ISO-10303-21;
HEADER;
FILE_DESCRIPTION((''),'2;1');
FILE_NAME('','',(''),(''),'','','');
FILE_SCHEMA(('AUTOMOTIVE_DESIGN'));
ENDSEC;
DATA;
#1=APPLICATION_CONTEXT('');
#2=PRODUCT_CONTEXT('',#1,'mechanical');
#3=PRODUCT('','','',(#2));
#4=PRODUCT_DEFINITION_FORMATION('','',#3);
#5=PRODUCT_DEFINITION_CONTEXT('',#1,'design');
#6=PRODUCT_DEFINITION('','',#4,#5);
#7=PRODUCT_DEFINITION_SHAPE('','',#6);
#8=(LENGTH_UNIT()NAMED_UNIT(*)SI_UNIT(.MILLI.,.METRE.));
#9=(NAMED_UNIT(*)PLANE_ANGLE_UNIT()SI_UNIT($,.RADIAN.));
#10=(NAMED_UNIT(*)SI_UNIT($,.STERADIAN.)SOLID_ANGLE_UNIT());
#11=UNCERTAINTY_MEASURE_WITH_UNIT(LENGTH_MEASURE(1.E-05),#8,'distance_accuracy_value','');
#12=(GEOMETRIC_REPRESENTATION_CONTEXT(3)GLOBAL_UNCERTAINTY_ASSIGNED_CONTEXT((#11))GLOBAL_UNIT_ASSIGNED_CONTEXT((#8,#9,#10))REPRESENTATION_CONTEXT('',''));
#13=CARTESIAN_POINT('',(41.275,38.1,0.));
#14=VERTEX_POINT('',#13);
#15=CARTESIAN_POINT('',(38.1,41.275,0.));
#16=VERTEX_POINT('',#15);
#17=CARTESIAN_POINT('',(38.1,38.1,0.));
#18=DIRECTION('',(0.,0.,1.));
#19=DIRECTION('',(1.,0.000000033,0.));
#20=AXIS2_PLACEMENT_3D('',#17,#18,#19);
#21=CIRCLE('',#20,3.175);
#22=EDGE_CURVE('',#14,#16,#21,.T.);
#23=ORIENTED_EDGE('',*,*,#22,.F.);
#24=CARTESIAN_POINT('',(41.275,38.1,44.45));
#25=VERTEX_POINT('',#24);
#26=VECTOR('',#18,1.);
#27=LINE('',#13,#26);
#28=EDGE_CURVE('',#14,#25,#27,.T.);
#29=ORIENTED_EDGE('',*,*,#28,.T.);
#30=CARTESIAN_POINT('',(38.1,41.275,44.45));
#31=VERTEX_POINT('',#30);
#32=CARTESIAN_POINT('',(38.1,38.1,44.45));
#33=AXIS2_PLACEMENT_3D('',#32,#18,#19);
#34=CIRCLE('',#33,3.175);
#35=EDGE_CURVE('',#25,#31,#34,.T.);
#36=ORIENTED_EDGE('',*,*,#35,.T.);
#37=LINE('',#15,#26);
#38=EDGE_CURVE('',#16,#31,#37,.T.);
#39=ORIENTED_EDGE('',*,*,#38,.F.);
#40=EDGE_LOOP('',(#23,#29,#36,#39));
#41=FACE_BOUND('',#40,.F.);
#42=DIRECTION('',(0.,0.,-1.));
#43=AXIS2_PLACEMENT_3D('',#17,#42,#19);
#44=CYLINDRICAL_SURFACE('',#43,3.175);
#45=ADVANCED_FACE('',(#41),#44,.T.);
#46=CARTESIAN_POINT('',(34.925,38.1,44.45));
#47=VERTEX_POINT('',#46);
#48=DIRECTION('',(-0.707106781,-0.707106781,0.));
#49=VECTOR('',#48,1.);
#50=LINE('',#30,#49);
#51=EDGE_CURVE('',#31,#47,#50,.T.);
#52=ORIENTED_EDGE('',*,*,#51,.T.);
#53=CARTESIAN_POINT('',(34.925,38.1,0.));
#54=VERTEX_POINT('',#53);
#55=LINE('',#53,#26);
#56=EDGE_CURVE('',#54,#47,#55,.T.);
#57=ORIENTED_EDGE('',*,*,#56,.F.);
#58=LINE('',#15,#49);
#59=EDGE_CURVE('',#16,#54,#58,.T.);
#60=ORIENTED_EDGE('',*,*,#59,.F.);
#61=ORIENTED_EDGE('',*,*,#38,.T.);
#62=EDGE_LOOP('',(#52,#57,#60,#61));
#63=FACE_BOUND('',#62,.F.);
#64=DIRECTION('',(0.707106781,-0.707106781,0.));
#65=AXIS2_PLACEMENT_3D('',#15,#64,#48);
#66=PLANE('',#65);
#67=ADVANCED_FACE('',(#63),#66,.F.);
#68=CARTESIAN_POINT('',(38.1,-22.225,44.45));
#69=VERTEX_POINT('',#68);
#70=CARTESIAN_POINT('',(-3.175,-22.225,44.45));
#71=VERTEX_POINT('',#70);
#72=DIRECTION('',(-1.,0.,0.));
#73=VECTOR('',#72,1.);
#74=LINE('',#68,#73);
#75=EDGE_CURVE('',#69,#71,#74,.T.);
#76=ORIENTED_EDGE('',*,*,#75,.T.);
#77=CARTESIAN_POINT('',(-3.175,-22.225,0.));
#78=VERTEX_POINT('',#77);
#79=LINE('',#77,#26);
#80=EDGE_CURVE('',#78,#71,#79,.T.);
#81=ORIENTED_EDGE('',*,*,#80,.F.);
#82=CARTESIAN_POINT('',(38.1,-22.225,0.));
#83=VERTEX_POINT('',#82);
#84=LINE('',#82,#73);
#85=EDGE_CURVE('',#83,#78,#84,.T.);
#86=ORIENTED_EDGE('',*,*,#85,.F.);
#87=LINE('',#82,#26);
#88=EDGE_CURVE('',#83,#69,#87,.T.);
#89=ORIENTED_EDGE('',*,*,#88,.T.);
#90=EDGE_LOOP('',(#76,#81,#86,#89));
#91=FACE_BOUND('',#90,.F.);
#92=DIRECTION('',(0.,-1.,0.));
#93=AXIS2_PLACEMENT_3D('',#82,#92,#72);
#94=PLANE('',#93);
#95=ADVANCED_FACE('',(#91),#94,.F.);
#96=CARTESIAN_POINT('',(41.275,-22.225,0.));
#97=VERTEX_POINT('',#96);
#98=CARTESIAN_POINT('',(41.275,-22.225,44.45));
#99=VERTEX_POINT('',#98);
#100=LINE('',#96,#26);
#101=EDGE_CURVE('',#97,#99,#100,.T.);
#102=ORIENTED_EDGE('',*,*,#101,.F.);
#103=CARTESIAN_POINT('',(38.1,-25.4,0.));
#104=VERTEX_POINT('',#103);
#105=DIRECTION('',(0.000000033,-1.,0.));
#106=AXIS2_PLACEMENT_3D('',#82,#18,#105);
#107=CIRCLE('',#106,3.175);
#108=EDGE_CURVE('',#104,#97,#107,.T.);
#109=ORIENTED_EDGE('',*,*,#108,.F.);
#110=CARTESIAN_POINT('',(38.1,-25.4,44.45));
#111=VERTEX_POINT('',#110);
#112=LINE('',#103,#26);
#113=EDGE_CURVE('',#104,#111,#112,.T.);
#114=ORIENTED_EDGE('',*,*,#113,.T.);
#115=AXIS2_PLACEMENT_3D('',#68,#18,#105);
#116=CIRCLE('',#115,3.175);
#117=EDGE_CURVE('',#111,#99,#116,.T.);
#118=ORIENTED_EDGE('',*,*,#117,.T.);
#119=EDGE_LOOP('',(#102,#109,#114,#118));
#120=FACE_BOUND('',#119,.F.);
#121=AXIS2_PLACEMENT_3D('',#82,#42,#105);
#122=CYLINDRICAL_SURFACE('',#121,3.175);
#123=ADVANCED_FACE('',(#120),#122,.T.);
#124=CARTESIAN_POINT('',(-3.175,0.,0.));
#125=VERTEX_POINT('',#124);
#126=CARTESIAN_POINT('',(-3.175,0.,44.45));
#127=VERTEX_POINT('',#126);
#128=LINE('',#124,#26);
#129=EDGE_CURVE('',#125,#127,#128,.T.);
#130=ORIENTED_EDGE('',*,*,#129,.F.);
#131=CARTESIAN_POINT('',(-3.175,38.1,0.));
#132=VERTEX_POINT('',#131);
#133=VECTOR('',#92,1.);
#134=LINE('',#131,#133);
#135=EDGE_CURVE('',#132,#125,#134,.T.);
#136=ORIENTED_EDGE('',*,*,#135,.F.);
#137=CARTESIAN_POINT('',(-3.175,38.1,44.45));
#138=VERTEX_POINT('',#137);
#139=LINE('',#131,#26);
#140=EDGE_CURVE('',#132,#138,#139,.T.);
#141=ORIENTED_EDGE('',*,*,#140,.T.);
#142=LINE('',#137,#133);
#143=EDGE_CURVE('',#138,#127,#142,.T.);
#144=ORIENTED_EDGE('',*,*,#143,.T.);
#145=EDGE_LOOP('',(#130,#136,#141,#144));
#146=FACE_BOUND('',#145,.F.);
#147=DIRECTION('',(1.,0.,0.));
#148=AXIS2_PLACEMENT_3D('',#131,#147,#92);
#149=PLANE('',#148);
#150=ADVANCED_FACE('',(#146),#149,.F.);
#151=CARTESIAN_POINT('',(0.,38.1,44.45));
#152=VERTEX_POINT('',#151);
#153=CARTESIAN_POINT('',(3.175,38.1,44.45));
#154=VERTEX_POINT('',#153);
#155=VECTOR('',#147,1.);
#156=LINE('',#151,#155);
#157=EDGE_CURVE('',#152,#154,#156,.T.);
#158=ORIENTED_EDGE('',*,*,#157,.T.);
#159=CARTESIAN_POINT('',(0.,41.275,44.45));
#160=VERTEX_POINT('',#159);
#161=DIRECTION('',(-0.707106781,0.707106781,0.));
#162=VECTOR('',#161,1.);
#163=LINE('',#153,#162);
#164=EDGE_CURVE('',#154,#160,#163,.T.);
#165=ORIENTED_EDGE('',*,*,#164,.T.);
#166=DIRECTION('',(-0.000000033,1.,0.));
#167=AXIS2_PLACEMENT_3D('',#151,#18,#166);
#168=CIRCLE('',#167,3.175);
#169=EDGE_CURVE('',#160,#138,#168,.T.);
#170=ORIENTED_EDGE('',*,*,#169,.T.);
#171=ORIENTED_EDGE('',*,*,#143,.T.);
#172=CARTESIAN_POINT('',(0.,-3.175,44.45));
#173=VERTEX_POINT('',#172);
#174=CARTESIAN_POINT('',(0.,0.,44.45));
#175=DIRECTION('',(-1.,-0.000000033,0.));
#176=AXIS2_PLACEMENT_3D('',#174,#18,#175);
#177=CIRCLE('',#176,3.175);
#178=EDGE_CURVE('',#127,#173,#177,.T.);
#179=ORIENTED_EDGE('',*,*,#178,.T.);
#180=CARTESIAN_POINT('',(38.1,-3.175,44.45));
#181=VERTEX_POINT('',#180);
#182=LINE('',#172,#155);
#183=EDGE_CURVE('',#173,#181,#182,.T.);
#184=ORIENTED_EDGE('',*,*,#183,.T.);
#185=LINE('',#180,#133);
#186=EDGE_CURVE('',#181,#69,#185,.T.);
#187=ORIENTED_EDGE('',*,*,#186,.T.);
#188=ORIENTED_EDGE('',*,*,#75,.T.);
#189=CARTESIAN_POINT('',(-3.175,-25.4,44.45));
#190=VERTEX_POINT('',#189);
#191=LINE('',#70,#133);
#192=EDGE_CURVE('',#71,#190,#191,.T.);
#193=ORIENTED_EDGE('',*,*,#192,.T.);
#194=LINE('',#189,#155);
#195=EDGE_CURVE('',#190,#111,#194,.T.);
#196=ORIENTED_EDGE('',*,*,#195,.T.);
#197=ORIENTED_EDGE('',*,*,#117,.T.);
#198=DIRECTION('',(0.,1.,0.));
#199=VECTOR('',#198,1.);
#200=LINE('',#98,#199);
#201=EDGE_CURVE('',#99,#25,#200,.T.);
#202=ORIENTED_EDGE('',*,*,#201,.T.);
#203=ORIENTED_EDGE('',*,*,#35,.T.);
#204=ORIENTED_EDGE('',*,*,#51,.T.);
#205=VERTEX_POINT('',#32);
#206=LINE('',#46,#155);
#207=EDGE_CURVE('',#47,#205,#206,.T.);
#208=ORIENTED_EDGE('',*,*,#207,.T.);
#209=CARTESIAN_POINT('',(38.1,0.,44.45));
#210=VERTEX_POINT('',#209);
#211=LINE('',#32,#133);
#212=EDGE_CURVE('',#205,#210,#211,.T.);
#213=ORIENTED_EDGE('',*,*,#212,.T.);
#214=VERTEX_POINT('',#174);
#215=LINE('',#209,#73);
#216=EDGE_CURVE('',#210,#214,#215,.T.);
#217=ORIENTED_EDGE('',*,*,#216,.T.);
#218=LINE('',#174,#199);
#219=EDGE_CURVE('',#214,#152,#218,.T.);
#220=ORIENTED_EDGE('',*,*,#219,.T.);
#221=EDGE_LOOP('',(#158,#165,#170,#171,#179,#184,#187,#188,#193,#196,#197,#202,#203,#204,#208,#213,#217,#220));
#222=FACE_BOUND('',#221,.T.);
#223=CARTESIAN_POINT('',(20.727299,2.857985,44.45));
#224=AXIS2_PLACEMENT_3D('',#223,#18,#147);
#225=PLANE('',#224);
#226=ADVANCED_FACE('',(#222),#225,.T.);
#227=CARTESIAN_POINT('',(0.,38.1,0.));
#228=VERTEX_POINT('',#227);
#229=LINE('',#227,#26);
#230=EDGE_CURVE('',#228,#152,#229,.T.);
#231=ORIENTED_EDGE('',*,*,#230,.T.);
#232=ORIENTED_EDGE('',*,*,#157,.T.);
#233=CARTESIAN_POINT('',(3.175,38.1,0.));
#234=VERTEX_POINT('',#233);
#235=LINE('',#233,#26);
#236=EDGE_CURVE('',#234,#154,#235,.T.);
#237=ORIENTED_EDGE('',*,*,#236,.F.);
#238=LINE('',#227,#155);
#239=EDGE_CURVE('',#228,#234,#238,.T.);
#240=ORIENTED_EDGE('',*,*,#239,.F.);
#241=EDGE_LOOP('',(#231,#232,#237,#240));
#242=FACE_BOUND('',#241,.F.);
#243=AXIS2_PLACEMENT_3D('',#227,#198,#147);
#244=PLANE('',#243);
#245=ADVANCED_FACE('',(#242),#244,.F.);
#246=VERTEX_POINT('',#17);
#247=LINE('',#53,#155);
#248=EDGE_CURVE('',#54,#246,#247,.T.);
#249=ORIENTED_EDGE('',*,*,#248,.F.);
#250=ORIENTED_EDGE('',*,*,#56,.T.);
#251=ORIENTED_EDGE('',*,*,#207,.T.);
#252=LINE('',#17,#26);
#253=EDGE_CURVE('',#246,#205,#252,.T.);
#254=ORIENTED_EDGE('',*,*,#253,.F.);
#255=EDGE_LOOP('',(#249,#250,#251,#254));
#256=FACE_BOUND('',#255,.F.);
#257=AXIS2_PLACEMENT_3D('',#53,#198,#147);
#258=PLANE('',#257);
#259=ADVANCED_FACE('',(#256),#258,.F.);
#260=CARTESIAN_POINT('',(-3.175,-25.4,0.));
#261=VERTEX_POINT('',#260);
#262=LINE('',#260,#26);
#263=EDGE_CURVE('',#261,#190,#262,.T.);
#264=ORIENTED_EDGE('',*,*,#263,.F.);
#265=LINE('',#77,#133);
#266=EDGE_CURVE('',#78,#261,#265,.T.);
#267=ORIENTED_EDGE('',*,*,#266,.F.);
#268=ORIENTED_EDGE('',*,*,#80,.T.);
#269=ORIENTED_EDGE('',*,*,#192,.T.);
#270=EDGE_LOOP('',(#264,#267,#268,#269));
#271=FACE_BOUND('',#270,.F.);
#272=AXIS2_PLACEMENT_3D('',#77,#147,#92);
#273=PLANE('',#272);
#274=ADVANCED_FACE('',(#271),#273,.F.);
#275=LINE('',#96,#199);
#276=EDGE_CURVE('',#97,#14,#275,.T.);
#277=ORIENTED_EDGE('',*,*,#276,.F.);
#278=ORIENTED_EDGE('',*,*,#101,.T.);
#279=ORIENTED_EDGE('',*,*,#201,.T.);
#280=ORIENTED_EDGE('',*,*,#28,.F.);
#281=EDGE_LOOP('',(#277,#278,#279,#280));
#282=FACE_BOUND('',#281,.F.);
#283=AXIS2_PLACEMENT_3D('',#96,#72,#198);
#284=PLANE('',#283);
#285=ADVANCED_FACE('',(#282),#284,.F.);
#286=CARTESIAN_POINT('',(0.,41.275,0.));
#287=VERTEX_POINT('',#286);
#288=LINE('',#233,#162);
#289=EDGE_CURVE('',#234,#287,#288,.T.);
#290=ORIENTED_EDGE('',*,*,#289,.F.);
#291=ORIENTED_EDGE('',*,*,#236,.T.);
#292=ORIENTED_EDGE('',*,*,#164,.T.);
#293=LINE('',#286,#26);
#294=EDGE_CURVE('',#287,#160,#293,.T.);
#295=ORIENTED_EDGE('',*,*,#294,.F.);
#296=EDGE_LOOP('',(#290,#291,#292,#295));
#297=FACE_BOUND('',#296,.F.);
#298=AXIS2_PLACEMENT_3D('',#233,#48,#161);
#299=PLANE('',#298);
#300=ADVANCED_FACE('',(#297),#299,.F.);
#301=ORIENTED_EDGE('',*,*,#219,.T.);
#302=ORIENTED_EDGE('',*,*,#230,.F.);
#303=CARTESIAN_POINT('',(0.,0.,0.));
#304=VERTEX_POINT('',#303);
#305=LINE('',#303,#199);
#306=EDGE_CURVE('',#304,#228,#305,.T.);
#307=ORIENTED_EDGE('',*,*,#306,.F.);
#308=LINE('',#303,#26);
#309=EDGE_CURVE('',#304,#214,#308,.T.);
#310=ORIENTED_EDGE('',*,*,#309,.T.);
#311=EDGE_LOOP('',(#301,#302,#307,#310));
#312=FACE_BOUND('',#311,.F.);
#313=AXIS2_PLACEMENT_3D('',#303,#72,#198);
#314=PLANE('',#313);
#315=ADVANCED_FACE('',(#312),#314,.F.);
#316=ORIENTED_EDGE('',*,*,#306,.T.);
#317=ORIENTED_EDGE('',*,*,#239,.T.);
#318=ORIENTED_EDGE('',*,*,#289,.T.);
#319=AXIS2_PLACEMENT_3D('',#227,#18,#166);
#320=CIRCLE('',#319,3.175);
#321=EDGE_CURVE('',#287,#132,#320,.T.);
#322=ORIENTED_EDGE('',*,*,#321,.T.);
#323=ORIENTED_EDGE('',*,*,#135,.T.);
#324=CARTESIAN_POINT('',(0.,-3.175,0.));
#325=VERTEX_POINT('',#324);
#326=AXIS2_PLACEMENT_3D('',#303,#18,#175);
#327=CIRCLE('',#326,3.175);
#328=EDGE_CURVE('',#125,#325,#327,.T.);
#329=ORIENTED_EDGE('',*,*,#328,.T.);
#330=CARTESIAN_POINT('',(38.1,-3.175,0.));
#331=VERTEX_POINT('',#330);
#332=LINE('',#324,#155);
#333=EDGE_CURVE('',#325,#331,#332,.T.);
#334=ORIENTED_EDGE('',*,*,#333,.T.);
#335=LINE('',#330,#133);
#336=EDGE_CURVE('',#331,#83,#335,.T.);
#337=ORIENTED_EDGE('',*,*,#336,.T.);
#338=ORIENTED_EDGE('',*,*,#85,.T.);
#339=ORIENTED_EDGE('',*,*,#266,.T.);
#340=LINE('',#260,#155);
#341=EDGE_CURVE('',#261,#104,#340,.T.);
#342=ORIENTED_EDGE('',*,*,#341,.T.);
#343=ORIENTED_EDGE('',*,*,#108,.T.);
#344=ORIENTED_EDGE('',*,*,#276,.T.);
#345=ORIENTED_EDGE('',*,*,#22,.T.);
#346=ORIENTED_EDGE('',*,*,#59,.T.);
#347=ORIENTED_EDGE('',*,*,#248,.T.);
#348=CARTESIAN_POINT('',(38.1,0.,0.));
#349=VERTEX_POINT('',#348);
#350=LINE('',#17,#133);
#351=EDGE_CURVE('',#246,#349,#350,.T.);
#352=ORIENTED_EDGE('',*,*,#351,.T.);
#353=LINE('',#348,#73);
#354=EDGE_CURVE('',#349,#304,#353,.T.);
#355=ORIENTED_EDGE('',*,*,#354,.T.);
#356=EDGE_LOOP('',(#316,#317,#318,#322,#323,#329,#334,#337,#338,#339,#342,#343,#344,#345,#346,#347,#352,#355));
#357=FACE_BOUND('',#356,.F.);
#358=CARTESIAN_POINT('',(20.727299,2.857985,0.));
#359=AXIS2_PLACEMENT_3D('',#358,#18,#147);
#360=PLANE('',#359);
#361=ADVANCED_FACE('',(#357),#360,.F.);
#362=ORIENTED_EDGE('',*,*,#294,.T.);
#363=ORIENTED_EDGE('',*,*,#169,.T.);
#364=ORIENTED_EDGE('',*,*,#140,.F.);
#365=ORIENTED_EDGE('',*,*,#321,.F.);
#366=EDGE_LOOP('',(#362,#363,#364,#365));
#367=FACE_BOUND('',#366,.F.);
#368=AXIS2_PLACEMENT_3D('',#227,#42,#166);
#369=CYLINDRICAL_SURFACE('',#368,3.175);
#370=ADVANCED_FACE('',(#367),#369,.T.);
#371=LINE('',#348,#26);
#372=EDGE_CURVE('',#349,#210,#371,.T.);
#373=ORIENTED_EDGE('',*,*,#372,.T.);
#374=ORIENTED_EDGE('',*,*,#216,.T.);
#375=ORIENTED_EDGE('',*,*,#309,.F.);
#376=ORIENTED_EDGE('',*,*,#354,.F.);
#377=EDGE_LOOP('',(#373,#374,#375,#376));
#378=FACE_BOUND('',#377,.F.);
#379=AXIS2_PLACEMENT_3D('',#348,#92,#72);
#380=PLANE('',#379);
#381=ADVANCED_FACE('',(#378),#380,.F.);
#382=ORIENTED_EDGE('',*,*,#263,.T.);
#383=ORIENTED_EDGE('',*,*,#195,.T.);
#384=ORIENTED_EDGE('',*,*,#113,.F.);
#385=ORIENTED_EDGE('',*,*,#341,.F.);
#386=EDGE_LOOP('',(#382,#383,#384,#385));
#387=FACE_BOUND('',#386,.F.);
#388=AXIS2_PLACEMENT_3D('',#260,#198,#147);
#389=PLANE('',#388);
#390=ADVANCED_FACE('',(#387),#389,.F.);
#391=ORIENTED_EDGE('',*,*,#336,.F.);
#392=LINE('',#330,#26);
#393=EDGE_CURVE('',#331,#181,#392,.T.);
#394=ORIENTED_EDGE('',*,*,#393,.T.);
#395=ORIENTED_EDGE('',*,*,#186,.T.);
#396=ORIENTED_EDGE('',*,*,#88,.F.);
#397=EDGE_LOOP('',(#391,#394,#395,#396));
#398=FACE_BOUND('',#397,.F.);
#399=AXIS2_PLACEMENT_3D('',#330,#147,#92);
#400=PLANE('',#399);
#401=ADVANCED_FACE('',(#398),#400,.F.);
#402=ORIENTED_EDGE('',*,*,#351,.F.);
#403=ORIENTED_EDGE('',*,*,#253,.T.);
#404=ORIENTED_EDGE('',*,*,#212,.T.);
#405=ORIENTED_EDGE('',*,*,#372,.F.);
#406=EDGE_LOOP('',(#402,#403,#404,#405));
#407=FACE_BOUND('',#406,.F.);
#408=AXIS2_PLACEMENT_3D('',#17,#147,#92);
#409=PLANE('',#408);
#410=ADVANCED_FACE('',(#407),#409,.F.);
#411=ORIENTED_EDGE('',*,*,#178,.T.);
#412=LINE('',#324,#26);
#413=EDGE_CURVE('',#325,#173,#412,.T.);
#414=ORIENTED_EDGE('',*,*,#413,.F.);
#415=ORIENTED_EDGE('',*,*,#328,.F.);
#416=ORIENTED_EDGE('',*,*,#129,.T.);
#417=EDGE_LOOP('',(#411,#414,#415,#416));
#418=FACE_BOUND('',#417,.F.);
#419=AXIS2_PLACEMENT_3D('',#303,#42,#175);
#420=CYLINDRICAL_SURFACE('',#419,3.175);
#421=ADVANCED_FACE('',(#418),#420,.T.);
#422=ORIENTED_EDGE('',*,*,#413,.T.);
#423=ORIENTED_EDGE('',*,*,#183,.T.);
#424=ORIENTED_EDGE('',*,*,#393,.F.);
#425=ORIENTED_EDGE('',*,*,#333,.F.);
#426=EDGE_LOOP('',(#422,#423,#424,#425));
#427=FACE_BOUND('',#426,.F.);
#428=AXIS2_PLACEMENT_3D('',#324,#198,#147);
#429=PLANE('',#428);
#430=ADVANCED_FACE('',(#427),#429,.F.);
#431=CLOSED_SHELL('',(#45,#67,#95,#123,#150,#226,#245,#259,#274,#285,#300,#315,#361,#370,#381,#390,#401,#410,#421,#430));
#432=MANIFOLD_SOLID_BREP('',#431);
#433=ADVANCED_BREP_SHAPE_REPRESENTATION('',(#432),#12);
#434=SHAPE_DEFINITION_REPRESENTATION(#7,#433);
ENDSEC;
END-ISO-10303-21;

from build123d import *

# Parameters (mm, degrees)
F1_DEPTH = 44.45


with BuildPart() as f1:
    # F0 (on Top) → F1 (new body)
    with BuildSketch(Plane.XY):
        with BuildLine():
            Line((38.1, 0), (0, 0))
            Line((0, 0), (0, 38.1))
            Line((0, 38.1), (3.175, 38.1))
            Line((3.175, 38.1), (0, 41.275))
            ThreePointArc((0, 41.275), (-2.245064, 40.345064), (-3.175, 38.1))
            Line((-3.175, 38.1), (-3.175, 0))
            ThreePointArc((-3.175, 0), (-2.245064, -2.245064), (0, -3.175))
            Line((0, -3.175), (38.1, -3.175))
            Line((38.1, -3.175), (38.1, -22.225))
            Line((38.1, -22.225), (-3.175, -22.225))
            Line((-3.175, -22.225), (-3.175, -25.4))
            Line((-3.175, -25.4), (38.1, -25.4))
            ThreePointArc((38.1, -25.4), (40.345064, -24.470064), (41.275, -22.225))
            Line((41.275, -22.225), (41.275, -3.175))
            Line((41.275, -3.175), (41.275, 38.1))
            ThreePointArc((41.275, 38.1), (40.345064, 40.345064), (38.1, 41.275))
            Line((38.1, 41.275), (34.925, 38.1))
            Line((34.925, 38.1), (38.1, 38.1))
            Line((38.1, 38.1), (38.1, 0))
        make_face()
    extrude(amount=F1_DEPTH)


solid = f1.part
